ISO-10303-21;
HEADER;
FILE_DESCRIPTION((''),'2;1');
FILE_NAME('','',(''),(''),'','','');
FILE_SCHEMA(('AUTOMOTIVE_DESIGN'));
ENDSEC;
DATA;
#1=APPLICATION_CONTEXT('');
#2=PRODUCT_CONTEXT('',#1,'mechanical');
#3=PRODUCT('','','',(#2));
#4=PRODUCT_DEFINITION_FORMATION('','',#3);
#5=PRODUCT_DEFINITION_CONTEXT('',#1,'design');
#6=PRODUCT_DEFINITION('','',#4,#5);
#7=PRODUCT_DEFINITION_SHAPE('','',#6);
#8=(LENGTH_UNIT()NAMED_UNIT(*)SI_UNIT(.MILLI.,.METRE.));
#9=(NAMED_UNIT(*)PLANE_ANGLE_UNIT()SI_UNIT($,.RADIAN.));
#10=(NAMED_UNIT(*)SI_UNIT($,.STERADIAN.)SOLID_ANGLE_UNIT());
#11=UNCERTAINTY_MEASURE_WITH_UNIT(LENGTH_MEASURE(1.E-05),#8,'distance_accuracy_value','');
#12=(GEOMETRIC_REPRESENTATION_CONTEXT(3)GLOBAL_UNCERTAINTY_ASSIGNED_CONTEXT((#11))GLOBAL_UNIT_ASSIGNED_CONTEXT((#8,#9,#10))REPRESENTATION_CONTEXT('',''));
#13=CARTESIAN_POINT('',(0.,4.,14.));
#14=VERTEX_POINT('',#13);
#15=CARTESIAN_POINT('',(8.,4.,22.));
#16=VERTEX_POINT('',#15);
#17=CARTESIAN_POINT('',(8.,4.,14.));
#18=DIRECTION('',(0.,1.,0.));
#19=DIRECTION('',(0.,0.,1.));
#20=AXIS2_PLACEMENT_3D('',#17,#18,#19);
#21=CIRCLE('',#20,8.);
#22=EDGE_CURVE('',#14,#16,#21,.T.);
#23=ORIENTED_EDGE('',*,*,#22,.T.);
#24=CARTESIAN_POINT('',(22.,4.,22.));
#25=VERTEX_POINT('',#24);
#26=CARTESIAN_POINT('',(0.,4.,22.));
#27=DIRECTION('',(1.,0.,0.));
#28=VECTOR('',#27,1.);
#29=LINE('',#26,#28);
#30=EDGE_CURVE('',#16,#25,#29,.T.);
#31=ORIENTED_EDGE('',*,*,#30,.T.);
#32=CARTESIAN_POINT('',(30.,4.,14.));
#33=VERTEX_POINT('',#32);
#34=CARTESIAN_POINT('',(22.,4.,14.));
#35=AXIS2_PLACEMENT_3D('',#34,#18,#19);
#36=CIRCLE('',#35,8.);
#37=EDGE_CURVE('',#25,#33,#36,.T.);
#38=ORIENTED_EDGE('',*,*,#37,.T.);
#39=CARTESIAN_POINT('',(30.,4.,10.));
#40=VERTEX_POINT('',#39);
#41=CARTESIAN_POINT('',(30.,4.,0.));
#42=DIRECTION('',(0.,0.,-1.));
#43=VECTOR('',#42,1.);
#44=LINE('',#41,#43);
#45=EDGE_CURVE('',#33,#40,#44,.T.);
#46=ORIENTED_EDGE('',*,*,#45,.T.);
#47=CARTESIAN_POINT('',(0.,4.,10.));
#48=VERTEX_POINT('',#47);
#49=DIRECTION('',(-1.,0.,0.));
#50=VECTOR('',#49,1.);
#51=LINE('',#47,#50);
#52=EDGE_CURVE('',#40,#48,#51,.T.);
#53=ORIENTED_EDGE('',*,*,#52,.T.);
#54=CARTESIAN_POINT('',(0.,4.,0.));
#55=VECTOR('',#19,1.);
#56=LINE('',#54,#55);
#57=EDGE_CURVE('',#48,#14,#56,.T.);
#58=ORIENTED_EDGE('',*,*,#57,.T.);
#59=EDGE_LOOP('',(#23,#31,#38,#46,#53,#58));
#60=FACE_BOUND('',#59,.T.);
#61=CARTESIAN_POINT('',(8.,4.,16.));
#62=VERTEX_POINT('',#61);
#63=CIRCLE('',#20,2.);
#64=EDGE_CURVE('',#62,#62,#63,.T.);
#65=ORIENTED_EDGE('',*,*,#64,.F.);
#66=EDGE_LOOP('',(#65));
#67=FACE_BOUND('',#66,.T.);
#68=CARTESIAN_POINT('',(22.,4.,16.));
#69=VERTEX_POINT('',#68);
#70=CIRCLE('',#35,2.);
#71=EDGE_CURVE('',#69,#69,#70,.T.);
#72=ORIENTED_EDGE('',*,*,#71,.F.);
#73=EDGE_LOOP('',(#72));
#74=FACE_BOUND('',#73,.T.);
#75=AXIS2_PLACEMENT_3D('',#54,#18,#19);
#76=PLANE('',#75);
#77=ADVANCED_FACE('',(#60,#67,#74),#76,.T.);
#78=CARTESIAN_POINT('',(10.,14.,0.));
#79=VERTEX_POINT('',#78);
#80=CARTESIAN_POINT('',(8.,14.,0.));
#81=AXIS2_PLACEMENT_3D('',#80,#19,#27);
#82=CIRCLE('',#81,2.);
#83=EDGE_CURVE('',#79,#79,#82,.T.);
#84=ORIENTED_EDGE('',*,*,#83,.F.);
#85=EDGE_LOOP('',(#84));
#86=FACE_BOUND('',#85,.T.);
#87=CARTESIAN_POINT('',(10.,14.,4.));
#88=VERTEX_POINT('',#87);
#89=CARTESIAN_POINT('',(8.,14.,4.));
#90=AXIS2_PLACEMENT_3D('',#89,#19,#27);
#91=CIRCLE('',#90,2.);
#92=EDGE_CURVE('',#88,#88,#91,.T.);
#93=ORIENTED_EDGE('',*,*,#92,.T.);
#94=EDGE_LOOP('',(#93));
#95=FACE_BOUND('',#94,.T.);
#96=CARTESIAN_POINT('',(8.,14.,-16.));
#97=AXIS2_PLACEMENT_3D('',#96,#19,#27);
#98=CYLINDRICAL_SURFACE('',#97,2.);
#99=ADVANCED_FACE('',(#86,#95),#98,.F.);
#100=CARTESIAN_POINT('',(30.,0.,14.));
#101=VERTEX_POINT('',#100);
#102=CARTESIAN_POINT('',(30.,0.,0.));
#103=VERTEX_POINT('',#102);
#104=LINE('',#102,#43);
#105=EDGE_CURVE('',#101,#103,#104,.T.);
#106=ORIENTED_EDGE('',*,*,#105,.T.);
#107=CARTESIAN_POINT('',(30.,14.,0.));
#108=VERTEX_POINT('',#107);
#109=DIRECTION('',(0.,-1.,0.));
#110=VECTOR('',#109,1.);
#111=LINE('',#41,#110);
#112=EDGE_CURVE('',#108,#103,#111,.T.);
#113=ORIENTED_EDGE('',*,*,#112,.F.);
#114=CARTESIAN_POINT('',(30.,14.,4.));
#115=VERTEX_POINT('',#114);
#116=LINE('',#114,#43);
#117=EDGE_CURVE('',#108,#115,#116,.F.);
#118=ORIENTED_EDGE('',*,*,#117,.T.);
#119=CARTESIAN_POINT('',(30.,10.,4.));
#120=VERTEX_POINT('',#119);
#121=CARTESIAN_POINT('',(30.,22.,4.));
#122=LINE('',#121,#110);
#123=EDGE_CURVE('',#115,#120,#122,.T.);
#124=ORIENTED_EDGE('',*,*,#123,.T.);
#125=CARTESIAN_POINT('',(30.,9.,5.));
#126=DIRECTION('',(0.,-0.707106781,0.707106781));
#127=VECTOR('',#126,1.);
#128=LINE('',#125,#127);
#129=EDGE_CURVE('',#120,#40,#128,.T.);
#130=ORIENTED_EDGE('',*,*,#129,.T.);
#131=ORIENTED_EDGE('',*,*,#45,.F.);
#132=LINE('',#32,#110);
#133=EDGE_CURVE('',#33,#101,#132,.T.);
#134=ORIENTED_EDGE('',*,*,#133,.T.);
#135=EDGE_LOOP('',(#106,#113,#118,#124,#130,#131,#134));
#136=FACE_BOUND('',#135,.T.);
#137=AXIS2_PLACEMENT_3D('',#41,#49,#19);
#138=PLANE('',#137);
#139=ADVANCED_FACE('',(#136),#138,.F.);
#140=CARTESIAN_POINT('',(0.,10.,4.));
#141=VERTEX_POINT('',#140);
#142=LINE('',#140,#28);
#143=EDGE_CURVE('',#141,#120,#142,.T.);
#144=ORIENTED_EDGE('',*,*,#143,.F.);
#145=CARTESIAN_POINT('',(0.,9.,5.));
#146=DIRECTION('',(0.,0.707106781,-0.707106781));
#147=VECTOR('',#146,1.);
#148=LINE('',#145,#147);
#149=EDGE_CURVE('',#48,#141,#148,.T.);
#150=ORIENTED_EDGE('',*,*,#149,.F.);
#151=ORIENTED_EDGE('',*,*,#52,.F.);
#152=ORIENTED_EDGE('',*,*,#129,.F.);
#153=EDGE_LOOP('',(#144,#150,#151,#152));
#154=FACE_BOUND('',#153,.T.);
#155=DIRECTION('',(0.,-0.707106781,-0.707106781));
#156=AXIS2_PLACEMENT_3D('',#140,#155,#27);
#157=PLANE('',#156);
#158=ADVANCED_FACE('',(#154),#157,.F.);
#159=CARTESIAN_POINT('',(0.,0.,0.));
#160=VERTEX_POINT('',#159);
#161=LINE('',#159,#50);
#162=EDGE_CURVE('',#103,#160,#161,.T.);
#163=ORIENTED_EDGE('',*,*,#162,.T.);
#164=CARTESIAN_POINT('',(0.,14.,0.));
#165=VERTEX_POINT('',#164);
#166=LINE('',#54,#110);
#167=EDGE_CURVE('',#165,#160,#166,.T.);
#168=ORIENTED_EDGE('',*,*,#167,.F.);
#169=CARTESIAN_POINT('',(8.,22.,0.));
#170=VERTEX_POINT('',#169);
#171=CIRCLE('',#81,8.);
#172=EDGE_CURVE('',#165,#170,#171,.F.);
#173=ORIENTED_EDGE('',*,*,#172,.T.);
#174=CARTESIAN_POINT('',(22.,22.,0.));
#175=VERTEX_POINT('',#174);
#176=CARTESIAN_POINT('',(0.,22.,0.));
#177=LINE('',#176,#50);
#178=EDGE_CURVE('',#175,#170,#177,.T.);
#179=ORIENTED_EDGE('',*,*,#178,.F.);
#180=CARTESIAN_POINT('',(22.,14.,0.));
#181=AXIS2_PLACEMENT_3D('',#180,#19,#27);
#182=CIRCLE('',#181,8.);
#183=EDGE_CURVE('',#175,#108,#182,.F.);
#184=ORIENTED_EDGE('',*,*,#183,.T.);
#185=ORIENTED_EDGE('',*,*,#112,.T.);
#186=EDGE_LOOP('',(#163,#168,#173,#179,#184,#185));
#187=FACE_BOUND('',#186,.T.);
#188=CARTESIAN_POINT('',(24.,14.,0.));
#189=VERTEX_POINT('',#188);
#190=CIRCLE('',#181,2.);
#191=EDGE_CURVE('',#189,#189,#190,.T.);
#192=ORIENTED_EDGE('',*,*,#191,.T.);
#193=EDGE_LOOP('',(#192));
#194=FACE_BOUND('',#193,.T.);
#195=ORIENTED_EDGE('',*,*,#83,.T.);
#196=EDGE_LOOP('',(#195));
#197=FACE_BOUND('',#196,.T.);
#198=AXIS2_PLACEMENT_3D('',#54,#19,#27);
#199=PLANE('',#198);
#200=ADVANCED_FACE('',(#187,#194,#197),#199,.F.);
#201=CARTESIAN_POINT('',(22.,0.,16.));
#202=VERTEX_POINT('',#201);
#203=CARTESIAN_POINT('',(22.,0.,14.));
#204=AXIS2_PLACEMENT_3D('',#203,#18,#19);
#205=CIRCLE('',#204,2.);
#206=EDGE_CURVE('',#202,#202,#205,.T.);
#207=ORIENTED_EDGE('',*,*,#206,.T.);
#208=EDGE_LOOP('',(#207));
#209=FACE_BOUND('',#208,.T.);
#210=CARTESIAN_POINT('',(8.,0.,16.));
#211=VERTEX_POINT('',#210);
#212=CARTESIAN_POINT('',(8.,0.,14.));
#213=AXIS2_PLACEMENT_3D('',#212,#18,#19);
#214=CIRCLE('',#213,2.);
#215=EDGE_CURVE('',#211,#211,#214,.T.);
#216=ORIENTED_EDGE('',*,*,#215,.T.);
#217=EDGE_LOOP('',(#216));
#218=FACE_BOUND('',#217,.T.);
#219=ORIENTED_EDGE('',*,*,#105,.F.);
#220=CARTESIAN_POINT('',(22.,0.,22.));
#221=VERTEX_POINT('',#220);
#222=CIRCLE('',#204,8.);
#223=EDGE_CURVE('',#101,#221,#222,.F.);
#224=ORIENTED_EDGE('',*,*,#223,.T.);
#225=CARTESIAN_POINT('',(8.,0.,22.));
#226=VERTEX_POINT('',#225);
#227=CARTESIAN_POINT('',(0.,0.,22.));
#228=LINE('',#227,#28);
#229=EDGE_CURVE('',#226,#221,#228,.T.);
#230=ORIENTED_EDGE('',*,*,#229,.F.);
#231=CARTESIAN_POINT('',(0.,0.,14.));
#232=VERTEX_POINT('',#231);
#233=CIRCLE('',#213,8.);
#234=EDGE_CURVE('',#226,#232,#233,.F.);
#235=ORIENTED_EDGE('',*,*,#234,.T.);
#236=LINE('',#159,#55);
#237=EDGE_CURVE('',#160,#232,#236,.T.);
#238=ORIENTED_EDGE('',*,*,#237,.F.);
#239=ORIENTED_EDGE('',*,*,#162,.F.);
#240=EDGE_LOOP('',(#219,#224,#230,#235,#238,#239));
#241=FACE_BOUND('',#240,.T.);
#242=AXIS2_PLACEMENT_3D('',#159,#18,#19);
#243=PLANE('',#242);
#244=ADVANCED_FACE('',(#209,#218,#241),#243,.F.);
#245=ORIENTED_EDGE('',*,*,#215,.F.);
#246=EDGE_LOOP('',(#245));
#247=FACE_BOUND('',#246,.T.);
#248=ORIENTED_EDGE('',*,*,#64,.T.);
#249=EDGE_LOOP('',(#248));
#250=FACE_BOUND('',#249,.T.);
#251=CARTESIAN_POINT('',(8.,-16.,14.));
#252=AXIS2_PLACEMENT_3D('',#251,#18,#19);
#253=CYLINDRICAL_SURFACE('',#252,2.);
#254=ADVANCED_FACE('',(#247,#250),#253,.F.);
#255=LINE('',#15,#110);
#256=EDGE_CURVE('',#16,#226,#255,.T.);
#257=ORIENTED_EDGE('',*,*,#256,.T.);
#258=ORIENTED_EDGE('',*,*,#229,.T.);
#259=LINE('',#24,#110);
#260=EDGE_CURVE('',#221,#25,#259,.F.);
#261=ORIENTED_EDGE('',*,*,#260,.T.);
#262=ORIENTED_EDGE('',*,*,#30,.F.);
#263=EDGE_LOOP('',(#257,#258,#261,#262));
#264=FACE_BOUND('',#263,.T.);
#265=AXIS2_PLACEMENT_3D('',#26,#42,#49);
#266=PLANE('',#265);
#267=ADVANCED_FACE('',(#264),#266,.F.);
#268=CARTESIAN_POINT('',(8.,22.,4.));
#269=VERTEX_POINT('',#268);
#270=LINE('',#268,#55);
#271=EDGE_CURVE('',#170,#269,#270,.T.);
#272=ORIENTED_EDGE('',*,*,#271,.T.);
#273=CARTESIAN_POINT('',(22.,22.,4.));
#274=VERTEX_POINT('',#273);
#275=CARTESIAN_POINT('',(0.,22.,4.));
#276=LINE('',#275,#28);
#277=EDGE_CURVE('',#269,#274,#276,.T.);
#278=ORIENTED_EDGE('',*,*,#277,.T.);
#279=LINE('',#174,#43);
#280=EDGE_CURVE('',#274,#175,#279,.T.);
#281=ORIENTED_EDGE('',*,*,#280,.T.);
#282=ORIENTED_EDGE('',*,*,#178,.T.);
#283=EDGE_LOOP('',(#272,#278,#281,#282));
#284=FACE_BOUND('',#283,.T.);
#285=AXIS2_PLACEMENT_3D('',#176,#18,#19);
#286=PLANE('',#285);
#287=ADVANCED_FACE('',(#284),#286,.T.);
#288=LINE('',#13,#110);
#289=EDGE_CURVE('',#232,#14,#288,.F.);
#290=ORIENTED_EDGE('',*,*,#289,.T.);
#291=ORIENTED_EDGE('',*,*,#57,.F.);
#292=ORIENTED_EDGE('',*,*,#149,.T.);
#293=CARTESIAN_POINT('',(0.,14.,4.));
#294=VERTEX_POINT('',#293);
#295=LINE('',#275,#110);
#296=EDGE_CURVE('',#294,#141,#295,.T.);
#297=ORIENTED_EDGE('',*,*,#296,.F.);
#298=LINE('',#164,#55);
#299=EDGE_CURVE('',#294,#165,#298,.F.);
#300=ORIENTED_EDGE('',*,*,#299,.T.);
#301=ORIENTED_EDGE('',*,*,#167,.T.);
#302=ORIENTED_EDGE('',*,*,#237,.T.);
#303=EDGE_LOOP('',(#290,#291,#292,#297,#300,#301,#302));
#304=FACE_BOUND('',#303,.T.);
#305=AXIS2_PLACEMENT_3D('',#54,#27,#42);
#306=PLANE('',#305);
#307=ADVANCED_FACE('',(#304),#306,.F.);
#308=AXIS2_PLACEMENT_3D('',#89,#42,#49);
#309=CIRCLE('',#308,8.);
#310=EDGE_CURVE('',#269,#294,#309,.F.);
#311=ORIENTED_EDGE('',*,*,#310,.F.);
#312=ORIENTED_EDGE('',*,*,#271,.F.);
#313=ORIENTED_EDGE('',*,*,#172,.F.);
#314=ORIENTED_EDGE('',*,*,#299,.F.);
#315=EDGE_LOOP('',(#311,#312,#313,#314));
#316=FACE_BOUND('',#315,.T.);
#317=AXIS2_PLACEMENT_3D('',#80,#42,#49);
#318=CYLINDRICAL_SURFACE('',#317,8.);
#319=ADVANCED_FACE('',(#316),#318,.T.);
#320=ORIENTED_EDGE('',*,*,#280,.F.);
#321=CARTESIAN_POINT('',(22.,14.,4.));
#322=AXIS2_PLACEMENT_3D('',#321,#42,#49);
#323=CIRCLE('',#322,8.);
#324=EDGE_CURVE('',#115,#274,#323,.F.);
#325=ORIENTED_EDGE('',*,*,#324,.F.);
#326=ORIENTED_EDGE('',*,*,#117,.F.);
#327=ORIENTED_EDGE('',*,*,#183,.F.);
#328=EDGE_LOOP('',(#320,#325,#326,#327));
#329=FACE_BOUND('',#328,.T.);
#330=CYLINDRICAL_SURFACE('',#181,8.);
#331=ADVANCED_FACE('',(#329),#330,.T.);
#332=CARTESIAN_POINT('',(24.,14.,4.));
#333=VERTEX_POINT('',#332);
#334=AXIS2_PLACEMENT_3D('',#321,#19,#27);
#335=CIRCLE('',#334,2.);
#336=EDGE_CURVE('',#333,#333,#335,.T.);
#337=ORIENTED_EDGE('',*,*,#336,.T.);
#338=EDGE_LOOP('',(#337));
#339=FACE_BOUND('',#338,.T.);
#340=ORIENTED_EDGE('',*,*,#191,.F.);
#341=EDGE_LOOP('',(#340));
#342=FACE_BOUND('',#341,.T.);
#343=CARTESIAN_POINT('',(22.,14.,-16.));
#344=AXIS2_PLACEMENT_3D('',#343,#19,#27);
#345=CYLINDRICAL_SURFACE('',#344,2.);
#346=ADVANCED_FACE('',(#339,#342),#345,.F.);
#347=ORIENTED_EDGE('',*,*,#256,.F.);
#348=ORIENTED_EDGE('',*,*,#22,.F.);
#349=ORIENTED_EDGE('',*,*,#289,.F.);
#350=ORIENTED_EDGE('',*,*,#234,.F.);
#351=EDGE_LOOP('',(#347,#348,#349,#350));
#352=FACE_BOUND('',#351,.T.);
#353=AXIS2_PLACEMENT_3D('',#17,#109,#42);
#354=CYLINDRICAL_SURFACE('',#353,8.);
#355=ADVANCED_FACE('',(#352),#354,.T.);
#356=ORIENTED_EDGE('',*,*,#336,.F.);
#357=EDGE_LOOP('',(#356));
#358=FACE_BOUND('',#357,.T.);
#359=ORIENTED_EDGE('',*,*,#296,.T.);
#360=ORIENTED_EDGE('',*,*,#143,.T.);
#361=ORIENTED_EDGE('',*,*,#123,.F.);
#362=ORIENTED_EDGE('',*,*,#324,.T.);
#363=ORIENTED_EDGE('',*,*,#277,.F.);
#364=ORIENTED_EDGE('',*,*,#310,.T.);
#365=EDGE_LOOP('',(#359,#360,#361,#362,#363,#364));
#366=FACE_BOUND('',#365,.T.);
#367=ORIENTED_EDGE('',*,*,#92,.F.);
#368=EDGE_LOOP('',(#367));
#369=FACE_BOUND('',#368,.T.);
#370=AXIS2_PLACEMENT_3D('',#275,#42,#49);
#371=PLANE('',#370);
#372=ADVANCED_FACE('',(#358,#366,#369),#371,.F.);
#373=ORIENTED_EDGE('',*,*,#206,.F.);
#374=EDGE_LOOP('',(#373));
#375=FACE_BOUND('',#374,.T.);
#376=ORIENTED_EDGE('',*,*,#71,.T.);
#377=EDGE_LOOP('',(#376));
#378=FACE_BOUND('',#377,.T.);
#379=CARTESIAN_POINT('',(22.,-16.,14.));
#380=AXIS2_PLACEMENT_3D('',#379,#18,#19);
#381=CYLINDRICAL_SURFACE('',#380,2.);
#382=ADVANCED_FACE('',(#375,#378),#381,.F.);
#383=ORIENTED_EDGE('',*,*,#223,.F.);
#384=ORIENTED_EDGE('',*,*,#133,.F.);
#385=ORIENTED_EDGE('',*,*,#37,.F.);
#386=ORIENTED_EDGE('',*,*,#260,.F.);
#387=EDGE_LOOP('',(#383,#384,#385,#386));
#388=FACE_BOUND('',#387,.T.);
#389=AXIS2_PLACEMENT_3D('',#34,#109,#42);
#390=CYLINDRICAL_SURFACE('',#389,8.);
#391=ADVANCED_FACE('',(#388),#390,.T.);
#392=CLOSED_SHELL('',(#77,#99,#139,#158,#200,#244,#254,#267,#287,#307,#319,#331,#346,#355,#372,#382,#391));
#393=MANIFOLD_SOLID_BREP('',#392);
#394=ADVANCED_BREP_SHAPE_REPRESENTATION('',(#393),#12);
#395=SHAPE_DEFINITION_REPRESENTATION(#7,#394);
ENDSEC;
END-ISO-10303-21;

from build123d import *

# Parameters (mm, degrees)
SKETCH_1_W          = 30
SKETCH_1_H          = 22
EXTRUDE_1_DEPTH     = 4
SKETCH_2_W          = 30
SKETCH_2_H          = 4
EXTRUDE_2_DEPTH     = 18
SKETCH_3_R          = 2
CUT_EXTRUDE_1_DEPTH = 20
SKETCH_4_R          = 2
CUT_EXTRUDE_2_DEPTH = 20
CHAMFER_1_SIZE      = 6
FILLET_1_R          = 8


with BuildPart() as part:
    # 草图1 → 凸台-拉伸1 (new body)
    with BuildSketch(Plane(origin=(0, 0, 0), x_dir=(1, 0, 0), z_dir=(0, 1, 0))):
        with Locations((15, -11)):
            Rectangle(SKETCH_1_W, SKETCH_1_H)
    extrude(amount=EXTRUDE_1_DEPTH)

    # 草图2 → 凸台-拉伸2 (add)
    with BuildSketch(Plane(origin=(0, 4, 0), x_dir=(1, 0, 0), z_dir=(0, 1, 0))):
        with Locations((15, -2)):
            Rectangle(SKETCH_2_W, SKETCH_2_H)
    extrude(amount=EXTRUDE_2_DEPTH)

    # 草图3 → 切除-拉伸1 (cut)
    with BuildSketch(Plane(origin=(0, 4, 0), x_dir=(1, 0, 0), z_dir=(0, 1, 0))):
        with Locations(Location((8, -14, 0), (0, 0, 270))):
            Circle(SKETCH_3_R)
        with Locations(Location((22, -14, 0), (0, 0, 270))):
            Circle(SKETCH_3_R)
    extrude(amount=-CUT_EXTRUDE_1_DEPTH, mode=Mode.SUBTRACT)

    # 草图4 → 切除-拉伸2 (cut)
    with BuildSketch(Plane.XY.offset(4)):
        with Locations((8, 14)):
            Circle(SKETCH_4_R)
        with Locations((22, 14)):
            Circle(SKETCH_4_R)
    extrude(amount=-CUT_EXTRUDE_2_DEPTH, mode=Mode.SUBTRACT)

    # 倒角1
    chamfer_1_edges = [part.edges().sort_by_distance(p)[0] for p in [
        (15, 4, 4),
    ]]
    chamfer(chamfer_1_edges, length=CHAMFER_1_SIZE)

    # 圆角1
    fillet_1_edges = [part.edges().sort_by_distance(p)[0] for p in [
        (0, 22, 2),
        (30, 22, 2),
        (30, 2, 22),
        (0, 2, 22),
    ]]
    fillet(fillet_1_edges, radius=FILLET_1_R)


solid = part.part
